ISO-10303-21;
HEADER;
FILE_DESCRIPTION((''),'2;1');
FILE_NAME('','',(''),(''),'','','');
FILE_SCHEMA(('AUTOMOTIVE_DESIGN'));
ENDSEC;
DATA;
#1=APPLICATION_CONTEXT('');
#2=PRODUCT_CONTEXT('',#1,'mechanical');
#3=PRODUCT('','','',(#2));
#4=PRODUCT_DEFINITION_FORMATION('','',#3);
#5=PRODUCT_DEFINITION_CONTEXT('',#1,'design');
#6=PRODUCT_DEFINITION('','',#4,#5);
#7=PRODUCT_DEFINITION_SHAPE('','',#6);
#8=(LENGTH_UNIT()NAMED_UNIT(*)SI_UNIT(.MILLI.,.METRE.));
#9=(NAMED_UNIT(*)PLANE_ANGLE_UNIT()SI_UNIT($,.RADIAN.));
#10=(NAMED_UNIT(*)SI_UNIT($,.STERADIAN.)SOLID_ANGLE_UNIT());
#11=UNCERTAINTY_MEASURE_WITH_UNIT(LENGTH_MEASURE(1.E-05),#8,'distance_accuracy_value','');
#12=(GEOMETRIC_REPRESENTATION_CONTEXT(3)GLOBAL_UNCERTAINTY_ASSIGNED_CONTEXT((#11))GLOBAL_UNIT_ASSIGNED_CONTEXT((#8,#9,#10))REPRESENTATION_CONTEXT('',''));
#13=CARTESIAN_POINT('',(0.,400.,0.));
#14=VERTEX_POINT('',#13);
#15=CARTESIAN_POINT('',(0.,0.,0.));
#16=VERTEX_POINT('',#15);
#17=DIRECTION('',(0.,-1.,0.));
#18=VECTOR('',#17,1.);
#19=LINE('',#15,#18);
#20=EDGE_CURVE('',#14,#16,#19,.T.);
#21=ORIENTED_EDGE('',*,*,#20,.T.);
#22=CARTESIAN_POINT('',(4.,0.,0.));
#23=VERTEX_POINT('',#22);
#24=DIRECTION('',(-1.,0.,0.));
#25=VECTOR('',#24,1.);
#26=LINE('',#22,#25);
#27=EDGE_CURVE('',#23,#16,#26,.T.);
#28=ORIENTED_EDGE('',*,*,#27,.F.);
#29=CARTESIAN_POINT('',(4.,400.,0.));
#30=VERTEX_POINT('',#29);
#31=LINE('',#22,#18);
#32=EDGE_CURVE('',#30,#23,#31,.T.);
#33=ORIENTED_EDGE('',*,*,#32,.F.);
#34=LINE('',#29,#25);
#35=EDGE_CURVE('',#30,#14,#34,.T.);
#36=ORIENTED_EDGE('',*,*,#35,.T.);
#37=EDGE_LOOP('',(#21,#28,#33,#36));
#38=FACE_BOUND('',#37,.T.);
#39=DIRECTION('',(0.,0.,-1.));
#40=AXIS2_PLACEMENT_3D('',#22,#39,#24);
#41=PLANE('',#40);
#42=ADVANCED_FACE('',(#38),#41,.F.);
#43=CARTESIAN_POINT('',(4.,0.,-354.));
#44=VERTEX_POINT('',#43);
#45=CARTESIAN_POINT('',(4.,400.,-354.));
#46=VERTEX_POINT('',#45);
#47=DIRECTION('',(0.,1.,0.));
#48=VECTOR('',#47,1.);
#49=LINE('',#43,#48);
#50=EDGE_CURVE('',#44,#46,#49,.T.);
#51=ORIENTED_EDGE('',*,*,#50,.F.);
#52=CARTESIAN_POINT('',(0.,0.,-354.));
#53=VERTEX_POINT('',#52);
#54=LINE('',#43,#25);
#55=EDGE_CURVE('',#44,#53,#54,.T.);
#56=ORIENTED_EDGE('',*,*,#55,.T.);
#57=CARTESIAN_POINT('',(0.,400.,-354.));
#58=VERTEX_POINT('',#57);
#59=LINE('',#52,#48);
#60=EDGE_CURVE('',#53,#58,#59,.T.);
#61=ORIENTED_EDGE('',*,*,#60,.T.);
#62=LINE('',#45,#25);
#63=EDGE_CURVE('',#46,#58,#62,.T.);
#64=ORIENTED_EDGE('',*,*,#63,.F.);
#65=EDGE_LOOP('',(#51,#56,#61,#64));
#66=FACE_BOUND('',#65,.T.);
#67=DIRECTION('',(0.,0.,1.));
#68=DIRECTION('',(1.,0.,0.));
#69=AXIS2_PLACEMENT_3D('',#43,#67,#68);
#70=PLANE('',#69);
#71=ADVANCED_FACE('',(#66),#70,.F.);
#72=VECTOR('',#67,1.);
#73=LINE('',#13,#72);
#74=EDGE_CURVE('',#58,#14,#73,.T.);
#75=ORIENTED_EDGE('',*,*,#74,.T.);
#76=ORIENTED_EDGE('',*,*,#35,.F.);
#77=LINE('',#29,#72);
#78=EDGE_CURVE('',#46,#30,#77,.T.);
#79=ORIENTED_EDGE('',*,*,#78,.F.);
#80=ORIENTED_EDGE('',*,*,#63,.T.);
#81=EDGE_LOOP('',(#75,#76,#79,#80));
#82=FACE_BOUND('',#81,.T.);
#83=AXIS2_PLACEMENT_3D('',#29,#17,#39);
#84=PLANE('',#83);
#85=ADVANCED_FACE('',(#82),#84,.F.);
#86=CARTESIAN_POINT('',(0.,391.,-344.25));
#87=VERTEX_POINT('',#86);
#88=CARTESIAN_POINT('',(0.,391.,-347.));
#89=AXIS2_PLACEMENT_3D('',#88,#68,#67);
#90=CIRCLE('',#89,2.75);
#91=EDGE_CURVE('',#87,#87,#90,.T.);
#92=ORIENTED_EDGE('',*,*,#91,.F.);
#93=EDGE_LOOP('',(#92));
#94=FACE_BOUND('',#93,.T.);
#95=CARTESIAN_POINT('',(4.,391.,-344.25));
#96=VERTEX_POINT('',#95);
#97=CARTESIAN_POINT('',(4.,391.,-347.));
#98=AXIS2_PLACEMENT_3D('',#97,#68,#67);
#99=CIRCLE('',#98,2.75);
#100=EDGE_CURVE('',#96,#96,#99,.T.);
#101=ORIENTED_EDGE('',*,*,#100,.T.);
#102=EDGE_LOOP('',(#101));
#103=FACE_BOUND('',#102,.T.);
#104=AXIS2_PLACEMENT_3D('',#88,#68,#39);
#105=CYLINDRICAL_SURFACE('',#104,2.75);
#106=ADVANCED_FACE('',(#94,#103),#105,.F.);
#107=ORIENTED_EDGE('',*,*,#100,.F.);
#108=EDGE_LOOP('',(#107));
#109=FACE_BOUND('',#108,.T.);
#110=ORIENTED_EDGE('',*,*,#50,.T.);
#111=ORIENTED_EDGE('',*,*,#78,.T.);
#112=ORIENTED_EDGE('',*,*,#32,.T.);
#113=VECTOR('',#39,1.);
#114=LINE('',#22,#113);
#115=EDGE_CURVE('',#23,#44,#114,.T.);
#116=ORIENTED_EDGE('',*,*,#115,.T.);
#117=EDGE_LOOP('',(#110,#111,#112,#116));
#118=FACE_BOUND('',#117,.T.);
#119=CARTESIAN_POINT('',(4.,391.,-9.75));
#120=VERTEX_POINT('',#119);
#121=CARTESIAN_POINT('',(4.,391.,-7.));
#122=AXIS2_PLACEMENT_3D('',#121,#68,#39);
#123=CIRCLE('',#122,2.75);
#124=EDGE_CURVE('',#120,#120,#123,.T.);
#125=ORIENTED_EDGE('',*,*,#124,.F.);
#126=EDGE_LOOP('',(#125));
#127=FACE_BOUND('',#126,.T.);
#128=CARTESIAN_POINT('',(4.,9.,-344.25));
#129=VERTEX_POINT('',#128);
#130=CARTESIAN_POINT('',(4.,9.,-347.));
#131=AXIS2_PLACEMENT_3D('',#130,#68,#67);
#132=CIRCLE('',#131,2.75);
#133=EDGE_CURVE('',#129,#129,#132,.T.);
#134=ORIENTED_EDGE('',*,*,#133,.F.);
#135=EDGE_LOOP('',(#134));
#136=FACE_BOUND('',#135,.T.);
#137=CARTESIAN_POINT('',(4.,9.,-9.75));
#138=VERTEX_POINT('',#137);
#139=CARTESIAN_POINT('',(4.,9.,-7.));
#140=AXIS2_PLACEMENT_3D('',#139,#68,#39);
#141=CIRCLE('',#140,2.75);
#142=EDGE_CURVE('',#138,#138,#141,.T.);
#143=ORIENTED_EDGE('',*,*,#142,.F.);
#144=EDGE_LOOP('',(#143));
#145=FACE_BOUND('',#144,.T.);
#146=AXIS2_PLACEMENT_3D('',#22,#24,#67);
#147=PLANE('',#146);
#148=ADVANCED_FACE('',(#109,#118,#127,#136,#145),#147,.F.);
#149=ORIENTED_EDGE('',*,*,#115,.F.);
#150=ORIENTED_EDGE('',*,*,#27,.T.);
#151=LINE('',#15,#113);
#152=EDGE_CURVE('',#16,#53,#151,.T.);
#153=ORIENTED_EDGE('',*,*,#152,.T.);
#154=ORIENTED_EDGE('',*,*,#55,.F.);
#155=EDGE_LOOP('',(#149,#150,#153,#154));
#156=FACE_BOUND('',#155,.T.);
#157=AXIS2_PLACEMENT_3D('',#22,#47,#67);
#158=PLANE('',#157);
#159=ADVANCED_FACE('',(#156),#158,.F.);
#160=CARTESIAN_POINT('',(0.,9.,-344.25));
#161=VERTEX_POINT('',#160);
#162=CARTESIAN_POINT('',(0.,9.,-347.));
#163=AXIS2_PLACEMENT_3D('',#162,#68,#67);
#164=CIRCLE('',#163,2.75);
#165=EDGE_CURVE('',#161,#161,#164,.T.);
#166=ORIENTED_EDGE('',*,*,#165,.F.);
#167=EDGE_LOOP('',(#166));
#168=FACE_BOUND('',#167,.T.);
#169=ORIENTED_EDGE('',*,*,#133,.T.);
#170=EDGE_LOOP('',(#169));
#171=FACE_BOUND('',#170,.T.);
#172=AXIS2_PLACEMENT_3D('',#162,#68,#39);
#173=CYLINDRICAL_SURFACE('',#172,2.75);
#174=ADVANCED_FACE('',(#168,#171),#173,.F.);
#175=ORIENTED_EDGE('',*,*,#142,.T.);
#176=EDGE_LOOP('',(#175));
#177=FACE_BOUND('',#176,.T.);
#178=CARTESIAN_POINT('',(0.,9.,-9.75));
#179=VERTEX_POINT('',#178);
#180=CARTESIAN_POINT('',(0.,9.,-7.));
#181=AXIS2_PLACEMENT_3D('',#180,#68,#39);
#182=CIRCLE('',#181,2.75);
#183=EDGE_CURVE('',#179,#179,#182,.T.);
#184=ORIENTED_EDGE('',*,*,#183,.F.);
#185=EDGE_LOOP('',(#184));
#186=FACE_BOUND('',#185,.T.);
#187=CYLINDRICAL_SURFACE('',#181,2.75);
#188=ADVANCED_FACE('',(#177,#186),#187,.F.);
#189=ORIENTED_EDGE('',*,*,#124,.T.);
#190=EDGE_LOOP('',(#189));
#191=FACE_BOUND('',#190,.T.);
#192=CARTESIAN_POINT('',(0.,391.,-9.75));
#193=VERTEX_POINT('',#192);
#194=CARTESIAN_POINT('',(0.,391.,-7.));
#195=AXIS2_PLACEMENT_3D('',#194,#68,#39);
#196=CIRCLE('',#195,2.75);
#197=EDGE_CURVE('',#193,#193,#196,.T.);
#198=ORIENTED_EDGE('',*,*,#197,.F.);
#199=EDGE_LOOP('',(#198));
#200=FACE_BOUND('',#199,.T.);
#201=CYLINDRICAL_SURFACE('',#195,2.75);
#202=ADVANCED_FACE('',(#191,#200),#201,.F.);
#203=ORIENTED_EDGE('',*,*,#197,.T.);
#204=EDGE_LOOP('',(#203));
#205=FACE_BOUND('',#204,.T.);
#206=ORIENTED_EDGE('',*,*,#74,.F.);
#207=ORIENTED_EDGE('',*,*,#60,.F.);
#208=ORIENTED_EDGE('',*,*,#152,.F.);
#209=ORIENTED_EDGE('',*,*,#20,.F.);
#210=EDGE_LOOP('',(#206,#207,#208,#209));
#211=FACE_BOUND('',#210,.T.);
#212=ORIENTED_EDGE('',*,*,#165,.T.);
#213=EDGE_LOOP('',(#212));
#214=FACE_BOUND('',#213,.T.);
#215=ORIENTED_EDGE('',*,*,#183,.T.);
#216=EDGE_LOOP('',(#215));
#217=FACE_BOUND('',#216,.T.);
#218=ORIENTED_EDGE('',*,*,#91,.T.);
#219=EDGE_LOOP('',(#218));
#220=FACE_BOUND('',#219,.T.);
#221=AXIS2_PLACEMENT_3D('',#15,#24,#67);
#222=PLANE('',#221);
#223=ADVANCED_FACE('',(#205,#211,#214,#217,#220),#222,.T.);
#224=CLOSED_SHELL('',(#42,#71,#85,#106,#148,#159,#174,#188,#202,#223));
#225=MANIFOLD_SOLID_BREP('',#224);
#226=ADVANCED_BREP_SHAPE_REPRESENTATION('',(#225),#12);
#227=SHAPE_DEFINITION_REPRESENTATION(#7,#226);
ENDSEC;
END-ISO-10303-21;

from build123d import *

# Parameters (mm, degrees)
SKETCH_1_W          = 354
SKETCH_1_H          = 400
EXTRUDE_1_DEPTH     = 4
SKETCH_2_R          = 2.75
CUT_EXTRUDE_1_DEPTH = 4


with BuildPart() as part:
    # 草图1 → 凸台-拉伸1 (new body)
    with BuildSketch(Plane(origin=(0, 0, 0), x_dir=(0, 0, -1), z_dir=(1, 0, 0))):
        with Locations((177, 200)):
            Rectangle(SKETCH_1_W, SKETCH_1_H)
    extrude(amount=EXTRUDE_1_DEPTH)

    # 草图2 → 切除-拉伸1 (cut)
    with BuildSketch(Plane(origin=(4, 0, 0), x_dir=(0, 0, -1), z_dir=(1, 0, 0))):
        with Locations((7, 391)):
            Circle(SKETCH_2_R)
        with Locations((7, 9)):
            Circle(SKETCH_2_R)
        with Locations(Location((347, 9, 0), (0, 0, 180))):
            Circle(SKETCH_2_R)
        with Locations(Location((347, 391, 0), (0, 0, 180))):
            Circle(SKETCH_2_R)
    extrude(amount=-CUT_EXTRUDE_1_DEPTH, mode=Mode.SUBTRACT)


solid = part.part
